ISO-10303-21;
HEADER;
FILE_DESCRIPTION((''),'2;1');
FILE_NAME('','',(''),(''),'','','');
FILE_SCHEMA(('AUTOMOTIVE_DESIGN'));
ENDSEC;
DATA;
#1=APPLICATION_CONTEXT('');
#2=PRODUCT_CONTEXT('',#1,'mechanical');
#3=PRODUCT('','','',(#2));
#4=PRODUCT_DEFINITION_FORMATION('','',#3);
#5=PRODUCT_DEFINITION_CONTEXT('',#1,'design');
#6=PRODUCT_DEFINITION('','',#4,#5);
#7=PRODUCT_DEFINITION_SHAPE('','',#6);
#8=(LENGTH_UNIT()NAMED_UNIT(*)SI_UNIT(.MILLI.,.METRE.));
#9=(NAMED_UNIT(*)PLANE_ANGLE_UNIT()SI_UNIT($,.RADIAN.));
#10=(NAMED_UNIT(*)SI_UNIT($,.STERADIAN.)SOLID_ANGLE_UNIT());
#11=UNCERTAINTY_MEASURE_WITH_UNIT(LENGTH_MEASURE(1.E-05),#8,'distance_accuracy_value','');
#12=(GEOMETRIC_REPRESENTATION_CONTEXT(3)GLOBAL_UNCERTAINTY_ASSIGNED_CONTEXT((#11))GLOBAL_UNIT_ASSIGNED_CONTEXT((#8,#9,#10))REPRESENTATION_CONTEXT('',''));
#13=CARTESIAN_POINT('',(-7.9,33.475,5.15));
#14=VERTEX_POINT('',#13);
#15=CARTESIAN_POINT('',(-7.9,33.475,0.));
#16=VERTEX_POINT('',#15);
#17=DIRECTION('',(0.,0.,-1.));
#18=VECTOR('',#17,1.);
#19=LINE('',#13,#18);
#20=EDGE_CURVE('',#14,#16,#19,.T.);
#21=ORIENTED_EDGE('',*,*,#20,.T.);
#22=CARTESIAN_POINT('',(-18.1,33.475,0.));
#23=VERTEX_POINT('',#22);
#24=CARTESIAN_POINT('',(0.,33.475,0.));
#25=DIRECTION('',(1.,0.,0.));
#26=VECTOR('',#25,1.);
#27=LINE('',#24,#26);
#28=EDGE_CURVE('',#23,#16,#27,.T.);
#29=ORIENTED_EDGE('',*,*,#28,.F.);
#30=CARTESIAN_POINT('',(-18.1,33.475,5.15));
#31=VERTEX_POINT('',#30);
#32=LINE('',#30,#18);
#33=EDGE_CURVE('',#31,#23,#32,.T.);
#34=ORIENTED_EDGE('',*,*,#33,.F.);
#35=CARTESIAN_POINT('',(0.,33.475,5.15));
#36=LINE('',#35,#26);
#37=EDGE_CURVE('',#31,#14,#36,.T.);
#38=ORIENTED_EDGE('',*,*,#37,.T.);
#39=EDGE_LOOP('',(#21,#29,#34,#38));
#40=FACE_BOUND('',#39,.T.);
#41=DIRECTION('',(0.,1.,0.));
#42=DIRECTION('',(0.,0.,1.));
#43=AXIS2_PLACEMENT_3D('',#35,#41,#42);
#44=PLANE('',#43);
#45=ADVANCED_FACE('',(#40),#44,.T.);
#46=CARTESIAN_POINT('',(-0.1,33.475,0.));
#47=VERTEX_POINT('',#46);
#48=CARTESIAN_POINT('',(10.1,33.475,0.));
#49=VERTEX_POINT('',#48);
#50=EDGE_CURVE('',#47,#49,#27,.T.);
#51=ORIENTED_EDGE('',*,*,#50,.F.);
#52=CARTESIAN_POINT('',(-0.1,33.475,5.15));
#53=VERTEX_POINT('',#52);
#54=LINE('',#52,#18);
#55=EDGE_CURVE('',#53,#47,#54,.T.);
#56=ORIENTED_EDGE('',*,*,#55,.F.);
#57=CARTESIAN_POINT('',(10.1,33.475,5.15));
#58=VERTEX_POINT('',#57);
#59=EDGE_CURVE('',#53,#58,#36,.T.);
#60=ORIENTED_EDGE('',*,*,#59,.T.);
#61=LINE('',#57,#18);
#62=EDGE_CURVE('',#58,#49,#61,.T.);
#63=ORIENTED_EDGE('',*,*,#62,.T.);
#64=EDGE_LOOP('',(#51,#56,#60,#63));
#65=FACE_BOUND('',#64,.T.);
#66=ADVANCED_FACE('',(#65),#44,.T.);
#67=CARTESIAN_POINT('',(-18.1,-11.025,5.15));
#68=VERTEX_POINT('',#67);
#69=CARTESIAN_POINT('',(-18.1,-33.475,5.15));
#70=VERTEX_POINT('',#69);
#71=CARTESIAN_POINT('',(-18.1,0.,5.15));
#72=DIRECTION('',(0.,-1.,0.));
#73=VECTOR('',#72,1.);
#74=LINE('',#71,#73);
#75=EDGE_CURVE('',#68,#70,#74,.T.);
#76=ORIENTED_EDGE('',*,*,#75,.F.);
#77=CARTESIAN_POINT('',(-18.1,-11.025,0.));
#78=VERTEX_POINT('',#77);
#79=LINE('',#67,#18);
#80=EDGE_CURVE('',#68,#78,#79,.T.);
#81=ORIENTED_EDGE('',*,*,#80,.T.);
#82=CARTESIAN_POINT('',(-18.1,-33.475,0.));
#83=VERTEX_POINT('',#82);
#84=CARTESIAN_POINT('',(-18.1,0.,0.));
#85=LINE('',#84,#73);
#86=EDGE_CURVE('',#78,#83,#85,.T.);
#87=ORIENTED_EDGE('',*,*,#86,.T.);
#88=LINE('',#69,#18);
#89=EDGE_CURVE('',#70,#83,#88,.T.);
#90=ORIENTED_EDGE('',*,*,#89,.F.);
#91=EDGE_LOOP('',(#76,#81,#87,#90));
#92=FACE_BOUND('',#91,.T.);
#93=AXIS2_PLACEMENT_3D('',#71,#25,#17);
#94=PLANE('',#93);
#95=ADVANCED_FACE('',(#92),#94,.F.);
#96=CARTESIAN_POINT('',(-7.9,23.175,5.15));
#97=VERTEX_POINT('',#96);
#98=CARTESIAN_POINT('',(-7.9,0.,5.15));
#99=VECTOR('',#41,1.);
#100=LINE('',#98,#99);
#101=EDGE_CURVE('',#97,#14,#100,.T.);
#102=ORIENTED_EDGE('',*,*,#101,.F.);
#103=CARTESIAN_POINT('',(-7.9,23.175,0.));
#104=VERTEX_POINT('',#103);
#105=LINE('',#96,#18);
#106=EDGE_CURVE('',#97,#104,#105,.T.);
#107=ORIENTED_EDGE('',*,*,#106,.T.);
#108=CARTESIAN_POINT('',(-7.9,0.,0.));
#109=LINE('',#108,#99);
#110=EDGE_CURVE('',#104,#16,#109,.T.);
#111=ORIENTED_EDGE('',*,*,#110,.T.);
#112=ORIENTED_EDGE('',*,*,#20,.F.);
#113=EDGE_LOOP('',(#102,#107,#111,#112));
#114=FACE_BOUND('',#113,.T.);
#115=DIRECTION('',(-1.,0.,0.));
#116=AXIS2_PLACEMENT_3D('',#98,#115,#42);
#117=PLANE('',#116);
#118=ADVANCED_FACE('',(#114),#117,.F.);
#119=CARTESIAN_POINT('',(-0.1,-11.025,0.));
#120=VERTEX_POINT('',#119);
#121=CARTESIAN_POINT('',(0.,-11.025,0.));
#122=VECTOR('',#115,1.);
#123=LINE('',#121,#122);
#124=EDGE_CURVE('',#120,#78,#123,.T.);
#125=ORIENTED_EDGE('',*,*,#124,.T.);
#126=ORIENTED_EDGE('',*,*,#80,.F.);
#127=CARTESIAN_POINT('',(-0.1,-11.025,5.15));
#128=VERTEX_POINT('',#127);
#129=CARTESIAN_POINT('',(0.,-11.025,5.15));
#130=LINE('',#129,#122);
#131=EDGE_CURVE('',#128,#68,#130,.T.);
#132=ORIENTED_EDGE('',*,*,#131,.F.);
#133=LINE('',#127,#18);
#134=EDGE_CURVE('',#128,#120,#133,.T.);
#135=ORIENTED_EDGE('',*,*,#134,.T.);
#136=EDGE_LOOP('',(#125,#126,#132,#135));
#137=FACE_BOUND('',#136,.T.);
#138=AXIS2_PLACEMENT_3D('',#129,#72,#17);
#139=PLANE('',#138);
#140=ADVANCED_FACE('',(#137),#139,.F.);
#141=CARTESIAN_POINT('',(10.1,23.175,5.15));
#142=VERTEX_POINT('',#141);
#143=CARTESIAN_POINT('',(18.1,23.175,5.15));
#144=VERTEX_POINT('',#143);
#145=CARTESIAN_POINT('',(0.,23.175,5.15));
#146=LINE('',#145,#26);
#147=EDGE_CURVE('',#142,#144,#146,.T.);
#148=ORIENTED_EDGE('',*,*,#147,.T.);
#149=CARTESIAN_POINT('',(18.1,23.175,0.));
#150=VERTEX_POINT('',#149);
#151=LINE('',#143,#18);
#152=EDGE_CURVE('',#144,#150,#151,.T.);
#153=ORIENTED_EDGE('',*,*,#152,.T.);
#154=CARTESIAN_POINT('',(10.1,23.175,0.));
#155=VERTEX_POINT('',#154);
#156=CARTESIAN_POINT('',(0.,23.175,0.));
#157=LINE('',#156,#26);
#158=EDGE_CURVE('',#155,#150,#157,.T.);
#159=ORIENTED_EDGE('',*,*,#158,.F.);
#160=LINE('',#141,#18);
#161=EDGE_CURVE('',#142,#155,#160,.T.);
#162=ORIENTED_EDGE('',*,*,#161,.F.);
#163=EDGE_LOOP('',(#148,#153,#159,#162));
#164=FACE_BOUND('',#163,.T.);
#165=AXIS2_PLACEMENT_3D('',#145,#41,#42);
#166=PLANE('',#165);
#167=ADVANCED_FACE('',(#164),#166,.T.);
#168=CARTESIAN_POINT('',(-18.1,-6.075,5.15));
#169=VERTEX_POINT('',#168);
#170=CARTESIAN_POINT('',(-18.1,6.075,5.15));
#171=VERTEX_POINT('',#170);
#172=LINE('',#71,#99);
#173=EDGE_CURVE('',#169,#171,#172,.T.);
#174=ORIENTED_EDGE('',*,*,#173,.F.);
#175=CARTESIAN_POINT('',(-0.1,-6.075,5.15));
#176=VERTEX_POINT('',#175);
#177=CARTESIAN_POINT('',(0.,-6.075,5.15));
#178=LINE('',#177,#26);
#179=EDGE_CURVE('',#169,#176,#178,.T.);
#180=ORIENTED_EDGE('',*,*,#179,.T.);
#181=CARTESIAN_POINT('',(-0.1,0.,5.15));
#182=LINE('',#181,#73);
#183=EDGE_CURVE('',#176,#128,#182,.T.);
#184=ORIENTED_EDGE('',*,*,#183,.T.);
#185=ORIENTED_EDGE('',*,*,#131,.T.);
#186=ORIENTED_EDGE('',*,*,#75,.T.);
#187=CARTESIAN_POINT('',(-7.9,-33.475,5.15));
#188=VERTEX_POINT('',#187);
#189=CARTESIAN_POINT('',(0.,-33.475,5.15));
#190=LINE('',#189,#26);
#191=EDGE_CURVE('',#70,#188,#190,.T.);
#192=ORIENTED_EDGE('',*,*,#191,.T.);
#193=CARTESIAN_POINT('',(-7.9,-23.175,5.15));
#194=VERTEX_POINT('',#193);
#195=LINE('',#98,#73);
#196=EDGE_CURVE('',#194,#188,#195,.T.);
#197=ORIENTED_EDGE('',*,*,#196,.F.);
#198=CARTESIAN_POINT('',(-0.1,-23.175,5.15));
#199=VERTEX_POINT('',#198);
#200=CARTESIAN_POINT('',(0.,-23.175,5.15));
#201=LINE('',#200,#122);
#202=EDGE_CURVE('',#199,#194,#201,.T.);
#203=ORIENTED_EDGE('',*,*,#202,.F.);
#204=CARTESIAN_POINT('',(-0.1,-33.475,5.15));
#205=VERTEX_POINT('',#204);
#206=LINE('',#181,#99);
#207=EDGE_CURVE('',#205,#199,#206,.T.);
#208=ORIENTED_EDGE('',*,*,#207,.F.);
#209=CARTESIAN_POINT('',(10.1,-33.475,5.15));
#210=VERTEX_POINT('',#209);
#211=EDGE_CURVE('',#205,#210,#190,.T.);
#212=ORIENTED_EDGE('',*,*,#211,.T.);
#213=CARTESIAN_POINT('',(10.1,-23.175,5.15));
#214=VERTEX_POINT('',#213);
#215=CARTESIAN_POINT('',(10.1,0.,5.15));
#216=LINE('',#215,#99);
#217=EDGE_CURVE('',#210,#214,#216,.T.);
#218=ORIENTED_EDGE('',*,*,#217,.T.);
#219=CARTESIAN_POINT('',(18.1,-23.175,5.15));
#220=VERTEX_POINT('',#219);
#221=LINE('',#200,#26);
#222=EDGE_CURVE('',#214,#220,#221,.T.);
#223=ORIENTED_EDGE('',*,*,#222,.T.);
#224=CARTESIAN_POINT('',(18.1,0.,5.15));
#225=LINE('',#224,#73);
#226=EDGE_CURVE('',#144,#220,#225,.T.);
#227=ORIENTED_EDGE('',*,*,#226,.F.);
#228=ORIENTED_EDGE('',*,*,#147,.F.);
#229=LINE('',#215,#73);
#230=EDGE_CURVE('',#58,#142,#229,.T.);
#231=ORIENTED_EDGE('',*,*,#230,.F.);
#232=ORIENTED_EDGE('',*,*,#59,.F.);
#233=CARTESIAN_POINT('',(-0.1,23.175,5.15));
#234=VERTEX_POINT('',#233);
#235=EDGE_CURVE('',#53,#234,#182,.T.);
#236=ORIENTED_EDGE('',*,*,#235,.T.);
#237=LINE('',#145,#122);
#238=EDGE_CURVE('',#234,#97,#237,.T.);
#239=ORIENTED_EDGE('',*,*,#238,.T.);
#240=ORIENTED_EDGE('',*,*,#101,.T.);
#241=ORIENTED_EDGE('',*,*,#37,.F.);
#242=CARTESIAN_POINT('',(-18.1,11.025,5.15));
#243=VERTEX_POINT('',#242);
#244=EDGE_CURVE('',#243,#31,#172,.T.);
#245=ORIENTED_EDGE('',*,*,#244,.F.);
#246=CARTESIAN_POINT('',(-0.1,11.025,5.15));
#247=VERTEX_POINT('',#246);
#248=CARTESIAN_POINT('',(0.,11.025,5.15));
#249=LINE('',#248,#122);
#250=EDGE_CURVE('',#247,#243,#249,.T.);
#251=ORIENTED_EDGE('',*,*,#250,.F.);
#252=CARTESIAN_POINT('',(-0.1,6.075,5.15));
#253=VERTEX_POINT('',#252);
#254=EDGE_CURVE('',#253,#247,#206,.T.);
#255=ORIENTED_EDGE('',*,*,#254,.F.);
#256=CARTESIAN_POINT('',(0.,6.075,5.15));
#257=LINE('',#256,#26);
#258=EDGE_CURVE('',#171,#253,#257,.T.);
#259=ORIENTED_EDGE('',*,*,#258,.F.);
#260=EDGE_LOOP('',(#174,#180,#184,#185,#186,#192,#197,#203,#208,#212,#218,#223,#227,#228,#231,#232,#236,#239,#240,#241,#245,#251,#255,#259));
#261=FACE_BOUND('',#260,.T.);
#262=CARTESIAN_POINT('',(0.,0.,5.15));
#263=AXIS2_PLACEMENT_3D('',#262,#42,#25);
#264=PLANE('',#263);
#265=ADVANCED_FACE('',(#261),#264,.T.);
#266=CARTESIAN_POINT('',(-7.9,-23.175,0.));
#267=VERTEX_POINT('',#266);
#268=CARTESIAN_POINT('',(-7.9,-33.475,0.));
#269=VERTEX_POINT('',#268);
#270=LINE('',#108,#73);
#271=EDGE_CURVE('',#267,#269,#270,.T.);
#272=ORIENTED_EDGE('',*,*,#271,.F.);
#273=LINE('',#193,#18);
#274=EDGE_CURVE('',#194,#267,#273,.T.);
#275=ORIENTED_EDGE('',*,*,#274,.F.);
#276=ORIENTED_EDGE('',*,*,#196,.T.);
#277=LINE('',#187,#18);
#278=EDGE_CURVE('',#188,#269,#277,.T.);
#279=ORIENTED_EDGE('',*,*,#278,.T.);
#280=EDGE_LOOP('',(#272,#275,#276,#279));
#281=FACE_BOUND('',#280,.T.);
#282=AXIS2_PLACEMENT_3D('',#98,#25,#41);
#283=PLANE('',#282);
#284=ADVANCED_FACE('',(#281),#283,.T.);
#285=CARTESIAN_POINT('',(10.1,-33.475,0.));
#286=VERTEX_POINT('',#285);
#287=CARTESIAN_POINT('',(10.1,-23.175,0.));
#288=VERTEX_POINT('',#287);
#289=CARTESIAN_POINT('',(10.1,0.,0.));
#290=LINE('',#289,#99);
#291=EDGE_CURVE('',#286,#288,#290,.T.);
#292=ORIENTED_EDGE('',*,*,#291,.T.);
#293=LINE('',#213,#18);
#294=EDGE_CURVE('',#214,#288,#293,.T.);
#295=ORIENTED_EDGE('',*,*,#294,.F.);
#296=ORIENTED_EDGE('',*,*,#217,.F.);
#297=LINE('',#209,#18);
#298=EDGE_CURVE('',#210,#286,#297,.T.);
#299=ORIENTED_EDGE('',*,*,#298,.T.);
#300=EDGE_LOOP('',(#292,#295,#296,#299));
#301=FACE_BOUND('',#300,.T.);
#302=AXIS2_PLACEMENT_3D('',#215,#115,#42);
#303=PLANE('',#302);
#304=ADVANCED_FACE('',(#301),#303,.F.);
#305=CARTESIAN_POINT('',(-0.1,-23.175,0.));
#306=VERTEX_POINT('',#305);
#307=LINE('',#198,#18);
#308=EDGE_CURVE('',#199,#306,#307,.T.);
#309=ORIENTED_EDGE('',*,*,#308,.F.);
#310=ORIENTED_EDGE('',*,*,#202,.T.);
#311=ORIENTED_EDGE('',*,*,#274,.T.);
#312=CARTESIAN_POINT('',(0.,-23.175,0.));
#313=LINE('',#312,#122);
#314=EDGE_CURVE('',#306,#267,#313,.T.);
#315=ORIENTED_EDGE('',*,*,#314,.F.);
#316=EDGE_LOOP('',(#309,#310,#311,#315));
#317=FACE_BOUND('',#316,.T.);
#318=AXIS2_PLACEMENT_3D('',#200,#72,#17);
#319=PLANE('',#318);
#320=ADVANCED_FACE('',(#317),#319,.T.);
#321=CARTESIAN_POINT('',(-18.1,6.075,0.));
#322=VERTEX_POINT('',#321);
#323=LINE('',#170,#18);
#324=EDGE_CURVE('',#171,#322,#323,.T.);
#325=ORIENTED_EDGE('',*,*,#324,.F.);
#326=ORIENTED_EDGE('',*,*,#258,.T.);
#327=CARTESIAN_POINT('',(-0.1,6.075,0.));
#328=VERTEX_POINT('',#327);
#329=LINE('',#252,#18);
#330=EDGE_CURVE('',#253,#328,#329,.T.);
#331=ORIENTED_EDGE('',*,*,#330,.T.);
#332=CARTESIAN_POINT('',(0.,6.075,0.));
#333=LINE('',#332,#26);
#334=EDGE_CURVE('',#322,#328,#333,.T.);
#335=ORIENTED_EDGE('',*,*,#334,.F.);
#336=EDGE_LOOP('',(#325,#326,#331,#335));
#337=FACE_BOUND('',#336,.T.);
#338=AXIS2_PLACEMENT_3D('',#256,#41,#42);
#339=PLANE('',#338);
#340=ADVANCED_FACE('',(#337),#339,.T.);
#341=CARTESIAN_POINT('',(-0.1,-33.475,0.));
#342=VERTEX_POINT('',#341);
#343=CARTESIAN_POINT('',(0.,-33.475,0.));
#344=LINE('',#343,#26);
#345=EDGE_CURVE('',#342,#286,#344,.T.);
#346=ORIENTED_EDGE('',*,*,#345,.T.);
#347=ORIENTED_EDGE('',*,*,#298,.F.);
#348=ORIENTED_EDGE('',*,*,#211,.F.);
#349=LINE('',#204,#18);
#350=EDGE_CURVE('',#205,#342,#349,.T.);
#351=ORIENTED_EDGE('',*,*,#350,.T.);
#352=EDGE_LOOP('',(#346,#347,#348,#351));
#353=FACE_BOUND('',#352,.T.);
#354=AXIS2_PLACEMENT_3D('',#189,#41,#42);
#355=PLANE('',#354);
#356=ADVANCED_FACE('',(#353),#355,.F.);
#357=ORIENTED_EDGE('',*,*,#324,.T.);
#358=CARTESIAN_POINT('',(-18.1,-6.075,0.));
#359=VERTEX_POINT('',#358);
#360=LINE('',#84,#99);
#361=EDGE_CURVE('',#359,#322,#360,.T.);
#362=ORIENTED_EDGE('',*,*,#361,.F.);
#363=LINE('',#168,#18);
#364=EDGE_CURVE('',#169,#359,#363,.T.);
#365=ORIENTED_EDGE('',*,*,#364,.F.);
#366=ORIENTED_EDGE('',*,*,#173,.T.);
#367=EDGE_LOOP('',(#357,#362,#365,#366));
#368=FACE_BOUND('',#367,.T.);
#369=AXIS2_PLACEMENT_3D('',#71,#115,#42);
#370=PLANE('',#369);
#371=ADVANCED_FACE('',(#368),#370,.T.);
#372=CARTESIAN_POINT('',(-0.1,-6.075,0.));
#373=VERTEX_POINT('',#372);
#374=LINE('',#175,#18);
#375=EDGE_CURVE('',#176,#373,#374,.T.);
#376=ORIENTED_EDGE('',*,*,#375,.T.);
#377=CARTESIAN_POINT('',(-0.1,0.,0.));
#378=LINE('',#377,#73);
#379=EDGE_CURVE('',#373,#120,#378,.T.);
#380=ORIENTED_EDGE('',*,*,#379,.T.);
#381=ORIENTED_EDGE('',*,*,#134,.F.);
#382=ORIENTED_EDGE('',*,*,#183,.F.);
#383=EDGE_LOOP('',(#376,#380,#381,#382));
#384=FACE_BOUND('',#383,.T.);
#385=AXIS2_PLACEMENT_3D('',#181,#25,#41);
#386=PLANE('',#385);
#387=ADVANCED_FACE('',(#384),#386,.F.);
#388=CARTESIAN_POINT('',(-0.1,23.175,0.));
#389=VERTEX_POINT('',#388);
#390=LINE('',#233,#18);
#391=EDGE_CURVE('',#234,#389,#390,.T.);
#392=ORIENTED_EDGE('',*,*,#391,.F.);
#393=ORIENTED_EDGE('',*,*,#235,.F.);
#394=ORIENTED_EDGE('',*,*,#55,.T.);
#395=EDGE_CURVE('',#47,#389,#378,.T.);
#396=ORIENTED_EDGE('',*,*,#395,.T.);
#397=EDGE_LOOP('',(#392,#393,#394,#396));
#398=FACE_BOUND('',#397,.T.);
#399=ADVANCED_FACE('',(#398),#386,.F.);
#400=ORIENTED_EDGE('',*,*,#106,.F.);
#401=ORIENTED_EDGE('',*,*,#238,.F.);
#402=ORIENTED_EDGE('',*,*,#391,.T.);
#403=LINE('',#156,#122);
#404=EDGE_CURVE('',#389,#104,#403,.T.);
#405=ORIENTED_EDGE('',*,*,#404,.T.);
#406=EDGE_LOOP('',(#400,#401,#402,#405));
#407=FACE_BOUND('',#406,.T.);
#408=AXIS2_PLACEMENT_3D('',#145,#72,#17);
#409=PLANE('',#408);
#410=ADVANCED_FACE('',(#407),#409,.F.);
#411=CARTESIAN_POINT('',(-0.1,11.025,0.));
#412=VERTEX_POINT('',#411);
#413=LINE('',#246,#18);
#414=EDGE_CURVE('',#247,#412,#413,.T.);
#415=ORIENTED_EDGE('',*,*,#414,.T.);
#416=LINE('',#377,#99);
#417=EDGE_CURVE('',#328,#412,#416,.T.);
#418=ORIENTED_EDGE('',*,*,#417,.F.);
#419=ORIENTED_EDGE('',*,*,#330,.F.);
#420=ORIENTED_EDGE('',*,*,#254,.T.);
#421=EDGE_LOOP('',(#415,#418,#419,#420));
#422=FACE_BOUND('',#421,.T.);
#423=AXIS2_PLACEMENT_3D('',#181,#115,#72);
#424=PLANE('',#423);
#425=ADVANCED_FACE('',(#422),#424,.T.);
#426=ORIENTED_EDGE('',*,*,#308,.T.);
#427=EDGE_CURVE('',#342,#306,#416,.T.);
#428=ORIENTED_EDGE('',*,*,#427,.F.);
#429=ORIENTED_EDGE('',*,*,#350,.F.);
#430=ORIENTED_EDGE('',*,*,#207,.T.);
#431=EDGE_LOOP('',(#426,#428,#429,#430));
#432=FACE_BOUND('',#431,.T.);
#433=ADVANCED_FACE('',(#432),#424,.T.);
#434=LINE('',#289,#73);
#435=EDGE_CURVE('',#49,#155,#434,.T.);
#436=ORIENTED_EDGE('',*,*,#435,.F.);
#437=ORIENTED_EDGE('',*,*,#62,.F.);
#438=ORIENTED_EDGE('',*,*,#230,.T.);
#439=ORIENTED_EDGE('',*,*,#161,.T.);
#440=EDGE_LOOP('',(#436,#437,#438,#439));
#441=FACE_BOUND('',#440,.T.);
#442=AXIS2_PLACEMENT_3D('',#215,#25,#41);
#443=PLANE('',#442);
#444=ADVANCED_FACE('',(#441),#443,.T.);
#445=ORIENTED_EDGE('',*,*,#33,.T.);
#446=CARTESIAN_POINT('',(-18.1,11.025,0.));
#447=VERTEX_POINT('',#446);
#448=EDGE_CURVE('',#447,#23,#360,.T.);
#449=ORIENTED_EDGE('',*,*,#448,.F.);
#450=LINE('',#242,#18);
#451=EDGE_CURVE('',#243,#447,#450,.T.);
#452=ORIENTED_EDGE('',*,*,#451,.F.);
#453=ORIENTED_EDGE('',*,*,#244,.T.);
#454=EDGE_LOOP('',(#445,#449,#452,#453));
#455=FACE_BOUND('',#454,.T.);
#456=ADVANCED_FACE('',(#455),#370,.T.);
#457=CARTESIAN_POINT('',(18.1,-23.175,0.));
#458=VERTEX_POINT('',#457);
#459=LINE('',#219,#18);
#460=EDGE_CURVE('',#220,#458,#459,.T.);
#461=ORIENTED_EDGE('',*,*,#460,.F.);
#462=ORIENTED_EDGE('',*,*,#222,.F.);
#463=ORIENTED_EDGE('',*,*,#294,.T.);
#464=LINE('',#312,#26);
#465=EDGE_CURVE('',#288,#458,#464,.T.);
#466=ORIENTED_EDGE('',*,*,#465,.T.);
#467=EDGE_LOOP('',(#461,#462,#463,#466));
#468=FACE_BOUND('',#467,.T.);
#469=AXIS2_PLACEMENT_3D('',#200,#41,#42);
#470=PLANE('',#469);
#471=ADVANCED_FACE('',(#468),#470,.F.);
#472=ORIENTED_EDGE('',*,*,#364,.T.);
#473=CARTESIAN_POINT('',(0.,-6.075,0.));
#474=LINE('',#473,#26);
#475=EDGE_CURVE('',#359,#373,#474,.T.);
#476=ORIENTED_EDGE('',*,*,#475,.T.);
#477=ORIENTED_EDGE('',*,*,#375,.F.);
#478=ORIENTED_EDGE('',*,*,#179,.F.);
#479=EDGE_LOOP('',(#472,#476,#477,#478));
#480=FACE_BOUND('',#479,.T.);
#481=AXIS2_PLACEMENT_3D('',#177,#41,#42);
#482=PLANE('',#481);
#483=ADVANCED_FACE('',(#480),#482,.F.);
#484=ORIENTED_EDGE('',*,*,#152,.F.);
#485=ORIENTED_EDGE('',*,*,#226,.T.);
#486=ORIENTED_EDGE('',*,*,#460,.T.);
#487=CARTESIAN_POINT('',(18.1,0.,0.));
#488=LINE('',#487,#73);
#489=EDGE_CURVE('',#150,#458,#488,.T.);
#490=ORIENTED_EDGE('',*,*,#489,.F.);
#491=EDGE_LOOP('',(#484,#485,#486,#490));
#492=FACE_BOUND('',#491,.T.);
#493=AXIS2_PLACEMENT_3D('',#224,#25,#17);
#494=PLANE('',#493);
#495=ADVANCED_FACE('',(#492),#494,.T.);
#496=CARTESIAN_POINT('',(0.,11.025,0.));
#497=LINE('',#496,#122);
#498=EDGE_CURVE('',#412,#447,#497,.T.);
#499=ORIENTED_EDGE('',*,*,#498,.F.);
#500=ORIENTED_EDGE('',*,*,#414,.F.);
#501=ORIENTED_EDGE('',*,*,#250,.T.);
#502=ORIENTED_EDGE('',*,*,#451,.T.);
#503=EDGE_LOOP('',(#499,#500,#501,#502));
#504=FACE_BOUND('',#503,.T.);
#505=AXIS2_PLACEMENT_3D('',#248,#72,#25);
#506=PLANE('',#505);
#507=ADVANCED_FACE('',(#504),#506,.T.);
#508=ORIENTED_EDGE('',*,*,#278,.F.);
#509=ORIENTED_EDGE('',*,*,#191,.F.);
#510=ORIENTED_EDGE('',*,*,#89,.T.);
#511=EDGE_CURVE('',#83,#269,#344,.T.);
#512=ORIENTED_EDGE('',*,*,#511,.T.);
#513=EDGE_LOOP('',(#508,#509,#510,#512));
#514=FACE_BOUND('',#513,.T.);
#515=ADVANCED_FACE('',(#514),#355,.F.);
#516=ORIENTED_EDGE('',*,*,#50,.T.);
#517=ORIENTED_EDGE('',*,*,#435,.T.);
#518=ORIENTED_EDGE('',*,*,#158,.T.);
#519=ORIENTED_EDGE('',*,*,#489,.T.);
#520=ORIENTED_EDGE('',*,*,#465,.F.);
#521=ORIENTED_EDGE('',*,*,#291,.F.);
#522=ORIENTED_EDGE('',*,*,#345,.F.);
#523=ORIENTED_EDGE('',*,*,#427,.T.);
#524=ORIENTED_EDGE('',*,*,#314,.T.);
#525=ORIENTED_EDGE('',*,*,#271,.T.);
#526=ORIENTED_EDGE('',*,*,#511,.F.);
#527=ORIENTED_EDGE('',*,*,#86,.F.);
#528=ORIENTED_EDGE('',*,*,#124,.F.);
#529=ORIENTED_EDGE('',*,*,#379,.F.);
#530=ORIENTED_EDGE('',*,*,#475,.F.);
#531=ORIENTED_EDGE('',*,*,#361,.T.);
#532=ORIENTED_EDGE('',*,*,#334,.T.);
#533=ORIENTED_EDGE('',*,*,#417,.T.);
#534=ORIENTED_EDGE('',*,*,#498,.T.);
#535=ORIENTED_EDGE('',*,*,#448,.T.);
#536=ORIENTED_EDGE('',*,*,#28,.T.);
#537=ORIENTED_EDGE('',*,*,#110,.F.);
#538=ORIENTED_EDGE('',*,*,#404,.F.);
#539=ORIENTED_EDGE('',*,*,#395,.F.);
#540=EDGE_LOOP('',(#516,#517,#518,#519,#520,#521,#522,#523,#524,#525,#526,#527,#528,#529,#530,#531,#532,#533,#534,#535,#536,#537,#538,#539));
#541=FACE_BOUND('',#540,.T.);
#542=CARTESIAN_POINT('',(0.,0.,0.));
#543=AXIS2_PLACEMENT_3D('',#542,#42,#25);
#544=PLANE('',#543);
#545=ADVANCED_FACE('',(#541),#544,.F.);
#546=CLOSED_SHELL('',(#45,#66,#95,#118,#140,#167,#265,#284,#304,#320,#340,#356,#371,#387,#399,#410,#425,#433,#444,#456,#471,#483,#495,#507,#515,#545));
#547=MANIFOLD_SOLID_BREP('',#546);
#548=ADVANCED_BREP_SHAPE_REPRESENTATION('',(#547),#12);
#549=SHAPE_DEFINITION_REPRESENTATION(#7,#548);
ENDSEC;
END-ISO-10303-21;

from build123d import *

# Parameters (mm, degrees)
BOSS_EXTRUDE1_DEPTH = 5.15


with BuildPart() as part:
    # Sketch1 → Boss-Extrude1 (new body)
    with BuildSketch(Plane.XY):
        Polygon((-0.1, -6.075), (-0.1, -11.025), (-18.1, -11.025), (-18.1, -33.475), (-7.9, -33.475), (-7.9, -23.175), (-0.1, -23.175), (-0.1, -33.475), (10.1, -33.475), (10.1, -23.175), (18.1, -23.175), (18.1, 23.175), (10.1, 23.175), (10.1, 33.475), (-0.1, 33.475), (-0.1, 23.175), (-7.9, 23.175), (-7.9, 33.475), (-18.1, 33.475), (-18.1, 11.025), (-0.1, 11.025), (-0.1, 6.075), (-18.1, 6.075), (-18.1, -6.075), align=None)
    extrude(amount=BOSS_EXTRUDE1_DEPTH)


solid = part.part
